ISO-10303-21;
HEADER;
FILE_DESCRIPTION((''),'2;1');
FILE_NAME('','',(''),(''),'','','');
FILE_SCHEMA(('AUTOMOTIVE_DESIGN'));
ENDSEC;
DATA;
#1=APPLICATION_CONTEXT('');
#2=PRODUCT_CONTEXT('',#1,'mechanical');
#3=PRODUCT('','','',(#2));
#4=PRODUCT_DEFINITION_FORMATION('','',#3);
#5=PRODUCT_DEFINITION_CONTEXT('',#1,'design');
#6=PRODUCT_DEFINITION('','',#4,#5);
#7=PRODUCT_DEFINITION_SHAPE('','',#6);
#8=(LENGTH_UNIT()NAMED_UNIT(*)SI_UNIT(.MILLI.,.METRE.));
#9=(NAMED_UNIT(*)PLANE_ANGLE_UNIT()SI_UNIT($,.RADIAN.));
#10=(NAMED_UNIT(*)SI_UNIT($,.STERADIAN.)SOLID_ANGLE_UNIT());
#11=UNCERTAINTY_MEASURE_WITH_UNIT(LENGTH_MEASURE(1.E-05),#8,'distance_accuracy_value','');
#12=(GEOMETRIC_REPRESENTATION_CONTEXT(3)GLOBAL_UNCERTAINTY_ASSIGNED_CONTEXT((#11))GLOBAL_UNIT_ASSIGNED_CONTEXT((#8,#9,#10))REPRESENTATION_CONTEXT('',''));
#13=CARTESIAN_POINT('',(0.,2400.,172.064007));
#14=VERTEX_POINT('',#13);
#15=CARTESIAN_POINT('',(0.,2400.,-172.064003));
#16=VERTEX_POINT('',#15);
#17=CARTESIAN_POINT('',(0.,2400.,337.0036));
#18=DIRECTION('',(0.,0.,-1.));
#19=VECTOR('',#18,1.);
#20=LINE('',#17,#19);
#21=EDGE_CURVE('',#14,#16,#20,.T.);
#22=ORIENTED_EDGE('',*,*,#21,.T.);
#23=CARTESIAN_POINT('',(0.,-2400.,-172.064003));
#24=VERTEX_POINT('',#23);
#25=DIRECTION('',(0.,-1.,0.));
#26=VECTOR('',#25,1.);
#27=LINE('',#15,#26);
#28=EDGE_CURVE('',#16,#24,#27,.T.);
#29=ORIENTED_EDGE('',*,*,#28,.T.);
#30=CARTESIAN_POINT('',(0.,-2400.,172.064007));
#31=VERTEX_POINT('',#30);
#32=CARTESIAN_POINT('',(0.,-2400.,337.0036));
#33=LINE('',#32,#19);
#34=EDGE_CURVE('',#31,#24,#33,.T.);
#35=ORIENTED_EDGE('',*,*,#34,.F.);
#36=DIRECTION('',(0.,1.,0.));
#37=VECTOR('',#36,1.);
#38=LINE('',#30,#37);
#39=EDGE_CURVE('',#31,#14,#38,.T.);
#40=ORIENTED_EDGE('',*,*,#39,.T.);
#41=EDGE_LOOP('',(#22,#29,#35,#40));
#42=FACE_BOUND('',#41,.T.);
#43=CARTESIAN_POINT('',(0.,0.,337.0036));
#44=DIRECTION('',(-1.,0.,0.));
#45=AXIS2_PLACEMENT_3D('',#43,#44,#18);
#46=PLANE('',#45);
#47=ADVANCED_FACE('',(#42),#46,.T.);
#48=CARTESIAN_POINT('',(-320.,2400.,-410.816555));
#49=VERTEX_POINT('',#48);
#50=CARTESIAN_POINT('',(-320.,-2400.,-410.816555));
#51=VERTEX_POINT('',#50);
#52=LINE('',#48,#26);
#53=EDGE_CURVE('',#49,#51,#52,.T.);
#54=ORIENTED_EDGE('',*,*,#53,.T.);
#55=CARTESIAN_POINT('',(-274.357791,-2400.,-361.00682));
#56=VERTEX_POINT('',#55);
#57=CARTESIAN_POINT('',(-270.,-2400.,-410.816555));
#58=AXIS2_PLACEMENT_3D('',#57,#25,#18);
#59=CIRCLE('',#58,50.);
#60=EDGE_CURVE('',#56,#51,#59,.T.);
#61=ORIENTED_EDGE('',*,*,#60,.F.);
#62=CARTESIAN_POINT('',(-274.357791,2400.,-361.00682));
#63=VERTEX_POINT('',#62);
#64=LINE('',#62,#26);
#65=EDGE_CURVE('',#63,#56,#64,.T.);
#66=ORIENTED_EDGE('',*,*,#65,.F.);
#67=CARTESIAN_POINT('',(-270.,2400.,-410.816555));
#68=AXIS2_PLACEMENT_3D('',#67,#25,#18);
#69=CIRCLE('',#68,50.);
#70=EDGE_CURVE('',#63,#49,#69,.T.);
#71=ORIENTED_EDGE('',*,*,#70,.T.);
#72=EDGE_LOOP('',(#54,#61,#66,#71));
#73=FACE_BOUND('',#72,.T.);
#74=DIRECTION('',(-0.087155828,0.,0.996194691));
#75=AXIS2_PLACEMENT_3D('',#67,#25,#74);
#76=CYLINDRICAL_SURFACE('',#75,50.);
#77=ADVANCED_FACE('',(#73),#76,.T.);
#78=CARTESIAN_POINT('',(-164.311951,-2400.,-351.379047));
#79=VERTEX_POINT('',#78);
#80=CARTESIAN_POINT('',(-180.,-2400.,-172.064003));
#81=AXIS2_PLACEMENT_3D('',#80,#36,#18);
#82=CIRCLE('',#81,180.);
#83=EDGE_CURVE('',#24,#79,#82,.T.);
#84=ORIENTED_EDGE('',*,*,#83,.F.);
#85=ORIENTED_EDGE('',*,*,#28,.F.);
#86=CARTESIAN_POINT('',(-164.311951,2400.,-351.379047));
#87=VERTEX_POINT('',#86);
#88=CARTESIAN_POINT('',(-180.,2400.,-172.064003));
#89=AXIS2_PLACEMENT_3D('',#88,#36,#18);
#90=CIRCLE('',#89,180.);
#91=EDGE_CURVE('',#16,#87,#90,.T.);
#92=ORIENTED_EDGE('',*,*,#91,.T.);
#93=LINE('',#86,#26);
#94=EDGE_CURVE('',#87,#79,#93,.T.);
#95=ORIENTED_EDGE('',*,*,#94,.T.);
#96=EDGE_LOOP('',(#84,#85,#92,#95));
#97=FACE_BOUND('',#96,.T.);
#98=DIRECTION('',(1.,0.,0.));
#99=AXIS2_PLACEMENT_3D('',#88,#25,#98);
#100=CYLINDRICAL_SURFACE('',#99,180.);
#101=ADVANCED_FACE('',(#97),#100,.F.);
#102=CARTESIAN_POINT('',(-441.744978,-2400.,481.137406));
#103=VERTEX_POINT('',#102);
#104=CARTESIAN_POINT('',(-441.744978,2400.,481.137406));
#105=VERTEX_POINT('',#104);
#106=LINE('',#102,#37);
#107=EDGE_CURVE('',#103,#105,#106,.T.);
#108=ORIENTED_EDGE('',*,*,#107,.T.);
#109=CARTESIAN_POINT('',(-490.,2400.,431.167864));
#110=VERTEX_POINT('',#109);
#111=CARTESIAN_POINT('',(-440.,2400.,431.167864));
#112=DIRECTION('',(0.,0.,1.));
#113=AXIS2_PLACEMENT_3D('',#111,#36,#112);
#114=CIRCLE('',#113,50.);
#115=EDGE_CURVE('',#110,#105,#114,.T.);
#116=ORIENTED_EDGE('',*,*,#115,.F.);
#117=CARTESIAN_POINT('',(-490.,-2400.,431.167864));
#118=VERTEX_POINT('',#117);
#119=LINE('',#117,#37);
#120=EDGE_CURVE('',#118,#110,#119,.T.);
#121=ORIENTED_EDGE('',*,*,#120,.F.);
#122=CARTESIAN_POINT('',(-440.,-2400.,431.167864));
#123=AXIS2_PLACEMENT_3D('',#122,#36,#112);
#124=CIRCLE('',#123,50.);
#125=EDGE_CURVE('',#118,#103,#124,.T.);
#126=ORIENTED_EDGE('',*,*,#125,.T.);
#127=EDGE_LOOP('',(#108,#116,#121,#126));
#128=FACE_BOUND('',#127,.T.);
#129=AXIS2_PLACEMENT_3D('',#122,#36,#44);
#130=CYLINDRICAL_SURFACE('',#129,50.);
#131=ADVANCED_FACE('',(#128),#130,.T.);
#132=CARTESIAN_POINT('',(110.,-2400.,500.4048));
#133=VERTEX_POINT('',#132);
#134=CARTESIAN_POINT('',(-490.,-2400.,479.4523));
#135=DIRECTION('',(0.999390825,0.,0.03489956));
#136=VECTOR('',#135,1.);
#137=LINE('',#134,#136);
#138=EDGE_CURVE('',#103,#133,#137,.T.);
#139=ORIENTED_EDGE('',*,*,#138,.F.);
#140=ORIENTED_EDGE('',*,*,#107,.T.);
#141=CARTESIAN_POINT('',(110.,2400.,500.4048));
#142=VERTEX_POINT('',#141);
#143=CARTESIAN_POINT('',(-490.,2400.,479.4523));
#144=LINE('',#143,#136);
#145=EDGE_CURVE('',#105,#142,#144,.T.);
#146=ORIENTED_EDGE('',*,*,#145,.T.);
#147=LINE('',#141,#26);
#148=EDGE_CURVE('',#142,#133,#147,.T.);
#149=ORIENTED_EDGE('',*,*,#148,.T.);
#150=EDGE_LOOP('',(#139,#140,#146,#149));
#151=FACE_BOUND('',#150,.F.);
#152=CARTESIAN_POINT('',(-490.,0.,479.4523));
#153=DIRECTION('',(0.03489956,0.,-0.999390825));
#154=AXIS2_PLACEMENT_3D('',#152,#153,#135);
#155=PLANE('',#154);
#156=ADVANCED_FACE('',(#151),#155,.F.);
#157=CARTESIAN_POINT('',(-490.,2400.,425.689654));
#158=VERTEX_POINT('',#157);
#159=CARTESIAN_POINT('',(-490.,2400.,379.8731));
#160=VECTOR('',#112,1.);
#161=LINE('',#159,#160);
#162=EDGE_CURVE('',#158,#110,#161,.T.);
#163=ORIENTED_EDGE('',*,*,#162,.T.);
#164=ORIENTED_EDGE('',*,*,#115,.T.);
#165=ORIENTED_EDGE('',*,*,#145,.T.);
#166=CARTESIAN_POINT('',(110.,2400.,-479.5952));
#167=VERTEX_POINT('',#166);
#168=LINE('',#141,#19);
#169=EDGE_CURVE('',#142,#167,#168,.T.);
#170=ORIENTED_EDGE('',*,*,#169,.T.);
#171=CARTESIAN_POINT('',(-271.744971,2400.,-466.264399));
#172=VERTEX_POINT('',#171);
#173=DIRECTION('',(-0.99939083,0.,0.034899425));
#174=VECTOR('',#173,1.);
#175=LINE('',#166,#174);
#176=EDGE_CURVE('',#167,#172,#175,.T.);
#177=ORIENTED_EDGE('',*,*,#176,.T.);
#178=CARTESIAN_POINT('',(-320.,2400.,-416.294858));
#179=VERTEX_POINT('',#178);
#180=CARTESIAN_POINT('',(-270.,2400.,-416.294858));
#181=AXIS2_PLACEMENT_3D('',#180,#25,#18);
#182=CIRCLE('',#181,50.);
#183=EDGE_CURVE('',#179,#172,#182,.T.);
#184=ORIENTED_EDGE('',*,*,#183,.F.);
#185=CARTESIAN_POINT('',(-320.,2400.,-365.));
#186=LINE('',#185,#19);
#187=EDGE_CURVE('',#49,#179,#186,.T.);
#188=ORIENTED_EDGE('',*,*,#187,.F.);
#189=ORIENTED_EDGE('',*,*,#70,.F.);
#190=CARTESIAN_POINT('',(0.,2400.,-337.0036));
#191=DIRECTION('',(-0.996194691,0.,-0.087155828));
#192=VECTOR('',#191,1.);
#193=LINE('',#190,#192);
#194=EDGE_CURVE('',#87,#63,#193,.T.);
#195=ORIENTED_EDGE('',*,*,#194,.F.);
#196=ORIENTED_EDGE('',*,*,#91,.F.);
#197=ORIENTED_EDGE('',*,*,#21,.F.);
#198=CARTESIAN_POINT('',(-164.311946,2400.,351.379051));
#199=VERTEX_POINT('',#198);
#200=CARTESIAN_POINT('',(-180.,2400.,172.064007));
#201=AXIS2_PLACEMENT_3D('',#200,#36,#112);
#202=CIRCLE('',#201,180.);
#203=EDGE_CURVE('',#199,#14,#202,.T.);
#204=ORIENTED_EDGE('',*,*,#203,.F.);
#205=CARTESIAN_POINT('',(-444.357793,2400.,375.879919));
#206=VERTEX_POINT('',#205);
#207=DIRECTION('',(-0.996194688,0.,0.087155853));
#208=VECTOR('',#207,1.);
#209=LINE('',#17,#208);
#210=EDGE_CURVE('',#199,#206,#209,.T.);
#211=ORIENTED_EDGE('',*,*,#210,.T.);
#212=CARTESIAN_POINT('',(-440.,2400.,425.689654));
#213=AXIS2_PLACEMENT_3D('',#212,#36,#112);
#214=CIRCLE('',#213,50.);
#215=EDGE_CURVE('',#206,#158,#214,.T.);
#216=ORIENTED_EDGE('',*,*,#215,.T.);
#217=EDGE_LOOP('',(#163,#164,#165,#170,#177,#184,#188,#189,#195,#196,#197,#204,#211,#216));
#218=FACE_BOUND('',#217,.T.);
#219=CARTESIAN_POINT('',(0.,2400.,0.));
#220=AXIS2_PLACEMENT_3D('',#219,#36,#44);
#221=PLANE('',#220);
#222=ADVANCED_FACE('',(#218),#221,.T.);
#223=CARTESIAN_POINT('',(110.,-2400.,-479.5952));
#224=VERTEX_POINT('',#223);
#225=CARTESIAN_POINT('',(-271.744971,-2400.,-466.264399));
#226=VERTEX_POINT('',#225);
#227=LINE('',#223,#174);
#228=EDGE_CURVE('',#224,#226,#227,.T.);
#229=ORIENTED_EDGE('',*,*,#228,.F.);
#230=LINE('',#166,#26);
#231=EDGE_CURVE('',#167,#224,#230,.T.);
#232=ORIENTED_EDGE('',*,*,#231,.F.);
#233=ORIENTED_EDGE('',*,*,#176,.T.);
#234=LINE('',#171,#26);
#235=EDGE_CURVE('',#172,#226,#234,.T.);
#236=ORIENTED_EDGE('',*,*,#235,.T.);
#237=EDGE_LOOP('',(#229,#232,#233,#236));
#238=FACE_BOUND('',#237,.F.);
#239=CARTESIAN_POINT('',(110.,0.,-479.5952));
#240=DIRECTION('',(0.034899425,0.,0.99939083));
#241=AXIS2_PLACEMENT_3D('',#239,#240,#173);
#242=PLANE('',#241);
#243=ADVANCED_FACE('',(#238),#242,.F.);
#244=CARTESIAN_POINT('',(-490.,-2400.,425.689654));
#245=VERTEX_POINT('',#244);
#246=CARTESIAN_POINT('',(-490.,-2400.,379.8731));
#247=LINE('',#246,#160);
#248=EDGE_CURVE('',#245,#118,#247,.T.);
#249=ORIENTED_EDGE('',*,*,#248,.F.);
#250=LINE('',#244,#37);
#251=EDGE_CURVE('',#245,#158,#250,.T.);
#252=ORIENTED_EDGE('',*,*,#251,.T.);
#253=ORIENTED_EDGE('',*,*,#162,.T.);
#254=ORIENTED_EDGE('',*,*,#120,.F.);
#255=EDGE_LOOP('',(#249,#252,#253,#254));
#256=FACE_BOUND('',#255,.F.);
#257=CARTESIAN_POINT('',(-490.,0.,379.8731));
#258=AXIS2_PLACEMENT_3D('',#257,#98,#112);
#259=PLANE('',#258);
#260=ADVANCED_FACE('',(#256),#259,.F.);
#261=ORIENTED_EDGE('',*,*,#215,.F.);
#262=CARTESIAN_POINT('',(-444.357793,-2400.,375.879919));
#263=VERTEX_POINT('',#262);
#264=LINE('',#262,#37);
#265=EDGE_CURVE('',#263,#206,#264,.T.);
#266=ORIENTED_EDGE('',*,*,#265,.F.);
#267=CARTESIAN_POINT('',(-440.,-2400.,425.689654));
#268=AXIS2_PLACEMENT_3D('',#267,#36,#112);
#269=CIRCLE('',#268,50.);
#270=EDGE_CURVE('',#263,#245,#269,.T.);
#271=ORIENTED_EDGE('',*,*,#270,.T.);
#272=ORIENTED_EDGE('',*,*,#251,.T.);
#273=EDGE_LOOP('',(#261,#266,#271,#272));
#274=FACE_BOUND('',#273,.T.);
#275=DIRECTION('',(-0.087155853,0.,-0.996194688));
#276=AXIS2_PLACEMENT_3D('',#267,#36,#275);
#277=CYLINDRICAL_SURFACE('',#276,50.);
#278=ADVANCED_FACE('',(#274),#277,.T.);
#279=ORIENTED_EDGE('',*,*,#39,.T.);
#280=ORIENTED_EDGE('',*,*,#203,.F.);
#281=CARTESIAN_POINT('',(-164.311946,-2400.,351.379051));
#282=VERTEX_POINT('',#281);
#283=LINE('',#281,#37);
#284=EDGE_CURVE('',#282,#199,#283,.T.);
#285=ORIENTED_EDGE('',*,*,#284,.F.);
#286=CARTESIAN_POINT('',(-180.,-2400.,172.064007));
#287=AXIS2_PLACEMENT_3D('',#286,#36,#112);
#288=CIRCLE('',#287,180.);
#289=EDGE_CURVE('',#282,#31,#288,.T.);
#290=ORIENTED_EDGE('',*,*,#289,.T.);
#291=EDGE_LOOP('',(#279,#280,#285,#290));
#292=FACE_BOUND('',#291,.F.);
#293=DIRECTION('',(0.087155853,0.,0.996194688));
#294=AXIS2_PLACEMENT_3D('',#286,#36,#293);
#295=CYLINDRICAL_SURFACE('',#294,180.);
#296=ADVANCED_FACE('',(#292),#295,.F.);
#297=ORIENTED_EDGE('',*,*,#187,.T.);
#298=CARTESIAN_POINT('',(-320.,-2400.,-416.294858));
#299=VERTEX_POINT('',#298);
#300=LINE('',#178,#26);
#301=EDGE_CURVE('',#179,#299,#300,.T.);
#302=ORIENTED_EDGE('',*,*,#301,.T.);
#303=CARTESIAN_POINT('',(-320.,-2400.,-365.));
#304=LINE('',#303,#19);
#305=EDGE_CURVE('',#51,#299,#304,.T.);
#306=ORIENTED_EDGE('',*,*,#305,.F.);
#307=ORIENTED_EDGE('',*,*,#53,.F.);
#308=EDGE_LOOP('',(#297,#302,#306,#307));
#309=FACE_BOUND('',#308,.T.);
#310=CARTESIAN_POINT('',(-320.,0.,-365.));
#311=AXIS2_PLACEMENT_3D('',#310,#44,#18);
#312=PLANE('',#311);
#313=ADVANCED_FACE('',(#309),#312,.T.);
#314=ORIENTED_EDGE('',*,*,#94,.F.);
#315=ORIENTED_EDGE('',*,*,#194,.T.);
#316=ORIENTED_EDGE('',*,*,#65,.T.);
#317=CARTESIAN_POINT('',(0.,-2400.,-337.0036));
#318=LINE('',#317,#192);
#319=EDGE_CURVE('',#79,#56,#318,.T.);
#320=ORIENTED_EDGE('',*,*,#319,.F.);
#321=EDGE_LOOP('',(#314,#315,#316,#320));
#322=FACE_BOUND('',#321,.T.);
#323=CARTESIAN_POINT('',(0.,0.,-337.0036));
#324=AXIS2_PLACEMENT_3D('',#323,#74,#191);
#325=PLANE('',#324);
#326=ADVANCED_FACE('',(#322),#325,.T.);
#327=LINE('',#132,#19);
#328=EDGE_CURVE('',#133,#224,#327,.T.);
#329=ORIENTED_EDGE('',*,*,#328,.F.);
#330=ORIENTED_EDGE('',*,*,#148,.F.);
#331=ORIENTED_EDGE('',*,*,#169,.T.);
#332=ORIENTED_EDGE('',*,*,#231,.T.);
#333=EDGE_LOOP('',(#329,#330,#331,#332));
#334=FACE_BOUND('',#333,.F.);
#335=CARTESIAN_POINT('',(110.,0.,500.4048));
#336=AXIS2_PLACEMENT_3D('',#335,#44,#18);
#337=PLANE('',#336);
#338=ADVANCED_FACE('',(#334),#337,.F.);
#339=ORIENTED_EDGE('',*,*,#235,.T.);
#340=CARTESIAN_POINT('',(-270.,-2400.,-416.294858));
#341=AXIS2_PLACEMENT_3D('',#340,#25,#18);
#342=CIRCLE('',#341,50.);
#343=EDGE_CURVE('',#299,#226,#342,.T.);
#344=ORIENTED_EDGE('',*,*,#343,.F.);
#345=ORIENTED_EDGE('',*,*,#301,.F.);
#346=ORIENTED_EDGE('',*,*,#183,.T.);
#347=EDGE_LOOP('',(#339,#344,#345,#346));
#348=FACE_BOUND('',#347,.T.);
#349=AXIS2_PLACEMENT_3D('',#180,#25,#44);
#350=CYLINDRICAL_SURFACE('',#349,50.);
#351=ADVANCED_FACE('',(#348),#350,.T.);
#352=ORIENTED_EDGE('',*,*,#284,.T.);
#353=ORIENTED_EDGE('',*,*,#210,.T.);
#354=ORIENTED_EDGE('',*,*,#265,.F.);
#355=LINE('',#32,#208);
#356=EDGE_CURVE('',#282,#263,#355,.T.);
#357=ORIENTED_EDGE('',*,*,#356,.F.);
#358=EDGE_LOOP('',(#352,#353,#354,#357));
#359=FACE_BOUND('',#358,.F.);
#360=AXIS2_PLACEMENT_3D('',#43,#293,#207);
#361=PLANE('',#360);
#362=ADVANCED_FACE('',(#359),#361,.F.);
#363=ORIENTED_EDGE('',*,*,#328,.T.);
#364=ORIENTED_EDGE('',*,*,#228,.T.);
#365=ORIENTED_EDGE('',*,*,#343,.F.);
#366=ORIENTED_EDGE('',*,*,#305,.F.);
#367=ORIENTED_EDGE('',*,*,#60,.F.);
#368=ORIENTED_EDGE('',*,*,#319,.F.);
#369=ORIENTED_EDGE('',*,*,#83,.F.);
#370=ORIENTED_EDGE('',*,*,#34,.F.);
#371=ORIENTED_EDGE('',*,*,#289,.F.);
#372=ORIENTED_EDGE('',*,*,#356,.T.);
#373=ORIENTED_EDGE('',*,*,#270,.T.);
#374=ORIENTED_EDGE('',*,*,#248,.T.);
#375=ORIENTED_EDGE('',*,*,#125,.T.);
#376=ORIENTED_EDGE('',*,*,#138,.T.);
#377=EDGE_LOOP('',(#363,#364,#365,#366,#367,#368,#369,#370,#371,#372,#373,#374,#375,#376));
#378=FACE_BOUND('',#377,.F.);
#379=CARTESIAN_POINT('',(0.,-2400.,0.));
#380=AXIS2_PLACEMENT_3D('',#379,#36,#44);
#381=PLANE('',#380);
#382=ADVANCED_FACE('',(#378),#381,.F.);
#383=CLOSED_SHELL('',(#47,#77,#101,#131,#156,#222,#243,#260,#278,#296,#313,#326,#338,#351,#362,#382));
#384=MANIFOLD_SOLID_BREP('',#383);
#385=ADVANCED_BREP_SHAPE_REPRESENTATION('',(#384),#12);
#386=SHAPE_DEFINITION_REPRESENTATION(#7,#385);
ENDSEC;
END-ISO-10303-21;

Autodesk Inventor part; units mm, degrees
ref_plane "YZ Plane" through (0, 0, 0) normal (1, 0, 0) x (0, 1, 0)
ref_plane "XZ Plane" through (0, 0, 0) normal (0, 1, 0) x (-1, 0, 0)
ref_plane "XY Plane" through (0, 0, 0) normal (0, 0, 1) x (1, 0, 0)
sketch "Sketch1" plane through (0, 0, 0) normal (0, 1, 0) x (-1, 0, 0)
  line L0 (0, -675.5952) -> (0, 696.4048) construction
  line L1 (-230, 0) -> (610, 0) construction
  line L2 (0, 337.0036) -> (0, -337.0036)
  line L3 (0, -337.0036) -> (320, -365)
  line L4 (320, -365) -> (320, -464.5793)
  line L5 (0, 337.0036) -> (490, 379.8731)
  line L6 (490, 379.8731) -> (490, 479.4523)
  line L7 (490, 479.4523) -> (-110, 500.4048)
  line L8 (-110, 500.4048) -> (-110, -479.5952)
  line L9 (-110, -479.5952) -> (320, -464.5793)
  line L10 (320, -365) -> (320, 365) construction
  point P0 (0, 0)
  point P1 (320, -414.7896)
  dimension "d0" = 730
  dimension "d2" = 430
  dimension "d3" = 600
  dimension "d4" = 980
  dimension "d5" = 88
  dimension "d6" = 88
  dimension "d7" = 95
  dimension "d8" = 95
  dimension "d9" = 490
extrude "Extrusion1" add sketch "Sketch1" along normal mid plane 4800
fillet "Fillet1" radius 50 4 edges at (-320, 0, -464.5793) (-320, 0, -365) (-490, 0, 379.8731) (-490, 0, 479.4523)
fillet "Fillet2" radius 180 2 edges at (0, 0, 337.0036) (0, 0, -337.0036)
equation "\"d6\" = d5"
properties part number "Bunk 1"
